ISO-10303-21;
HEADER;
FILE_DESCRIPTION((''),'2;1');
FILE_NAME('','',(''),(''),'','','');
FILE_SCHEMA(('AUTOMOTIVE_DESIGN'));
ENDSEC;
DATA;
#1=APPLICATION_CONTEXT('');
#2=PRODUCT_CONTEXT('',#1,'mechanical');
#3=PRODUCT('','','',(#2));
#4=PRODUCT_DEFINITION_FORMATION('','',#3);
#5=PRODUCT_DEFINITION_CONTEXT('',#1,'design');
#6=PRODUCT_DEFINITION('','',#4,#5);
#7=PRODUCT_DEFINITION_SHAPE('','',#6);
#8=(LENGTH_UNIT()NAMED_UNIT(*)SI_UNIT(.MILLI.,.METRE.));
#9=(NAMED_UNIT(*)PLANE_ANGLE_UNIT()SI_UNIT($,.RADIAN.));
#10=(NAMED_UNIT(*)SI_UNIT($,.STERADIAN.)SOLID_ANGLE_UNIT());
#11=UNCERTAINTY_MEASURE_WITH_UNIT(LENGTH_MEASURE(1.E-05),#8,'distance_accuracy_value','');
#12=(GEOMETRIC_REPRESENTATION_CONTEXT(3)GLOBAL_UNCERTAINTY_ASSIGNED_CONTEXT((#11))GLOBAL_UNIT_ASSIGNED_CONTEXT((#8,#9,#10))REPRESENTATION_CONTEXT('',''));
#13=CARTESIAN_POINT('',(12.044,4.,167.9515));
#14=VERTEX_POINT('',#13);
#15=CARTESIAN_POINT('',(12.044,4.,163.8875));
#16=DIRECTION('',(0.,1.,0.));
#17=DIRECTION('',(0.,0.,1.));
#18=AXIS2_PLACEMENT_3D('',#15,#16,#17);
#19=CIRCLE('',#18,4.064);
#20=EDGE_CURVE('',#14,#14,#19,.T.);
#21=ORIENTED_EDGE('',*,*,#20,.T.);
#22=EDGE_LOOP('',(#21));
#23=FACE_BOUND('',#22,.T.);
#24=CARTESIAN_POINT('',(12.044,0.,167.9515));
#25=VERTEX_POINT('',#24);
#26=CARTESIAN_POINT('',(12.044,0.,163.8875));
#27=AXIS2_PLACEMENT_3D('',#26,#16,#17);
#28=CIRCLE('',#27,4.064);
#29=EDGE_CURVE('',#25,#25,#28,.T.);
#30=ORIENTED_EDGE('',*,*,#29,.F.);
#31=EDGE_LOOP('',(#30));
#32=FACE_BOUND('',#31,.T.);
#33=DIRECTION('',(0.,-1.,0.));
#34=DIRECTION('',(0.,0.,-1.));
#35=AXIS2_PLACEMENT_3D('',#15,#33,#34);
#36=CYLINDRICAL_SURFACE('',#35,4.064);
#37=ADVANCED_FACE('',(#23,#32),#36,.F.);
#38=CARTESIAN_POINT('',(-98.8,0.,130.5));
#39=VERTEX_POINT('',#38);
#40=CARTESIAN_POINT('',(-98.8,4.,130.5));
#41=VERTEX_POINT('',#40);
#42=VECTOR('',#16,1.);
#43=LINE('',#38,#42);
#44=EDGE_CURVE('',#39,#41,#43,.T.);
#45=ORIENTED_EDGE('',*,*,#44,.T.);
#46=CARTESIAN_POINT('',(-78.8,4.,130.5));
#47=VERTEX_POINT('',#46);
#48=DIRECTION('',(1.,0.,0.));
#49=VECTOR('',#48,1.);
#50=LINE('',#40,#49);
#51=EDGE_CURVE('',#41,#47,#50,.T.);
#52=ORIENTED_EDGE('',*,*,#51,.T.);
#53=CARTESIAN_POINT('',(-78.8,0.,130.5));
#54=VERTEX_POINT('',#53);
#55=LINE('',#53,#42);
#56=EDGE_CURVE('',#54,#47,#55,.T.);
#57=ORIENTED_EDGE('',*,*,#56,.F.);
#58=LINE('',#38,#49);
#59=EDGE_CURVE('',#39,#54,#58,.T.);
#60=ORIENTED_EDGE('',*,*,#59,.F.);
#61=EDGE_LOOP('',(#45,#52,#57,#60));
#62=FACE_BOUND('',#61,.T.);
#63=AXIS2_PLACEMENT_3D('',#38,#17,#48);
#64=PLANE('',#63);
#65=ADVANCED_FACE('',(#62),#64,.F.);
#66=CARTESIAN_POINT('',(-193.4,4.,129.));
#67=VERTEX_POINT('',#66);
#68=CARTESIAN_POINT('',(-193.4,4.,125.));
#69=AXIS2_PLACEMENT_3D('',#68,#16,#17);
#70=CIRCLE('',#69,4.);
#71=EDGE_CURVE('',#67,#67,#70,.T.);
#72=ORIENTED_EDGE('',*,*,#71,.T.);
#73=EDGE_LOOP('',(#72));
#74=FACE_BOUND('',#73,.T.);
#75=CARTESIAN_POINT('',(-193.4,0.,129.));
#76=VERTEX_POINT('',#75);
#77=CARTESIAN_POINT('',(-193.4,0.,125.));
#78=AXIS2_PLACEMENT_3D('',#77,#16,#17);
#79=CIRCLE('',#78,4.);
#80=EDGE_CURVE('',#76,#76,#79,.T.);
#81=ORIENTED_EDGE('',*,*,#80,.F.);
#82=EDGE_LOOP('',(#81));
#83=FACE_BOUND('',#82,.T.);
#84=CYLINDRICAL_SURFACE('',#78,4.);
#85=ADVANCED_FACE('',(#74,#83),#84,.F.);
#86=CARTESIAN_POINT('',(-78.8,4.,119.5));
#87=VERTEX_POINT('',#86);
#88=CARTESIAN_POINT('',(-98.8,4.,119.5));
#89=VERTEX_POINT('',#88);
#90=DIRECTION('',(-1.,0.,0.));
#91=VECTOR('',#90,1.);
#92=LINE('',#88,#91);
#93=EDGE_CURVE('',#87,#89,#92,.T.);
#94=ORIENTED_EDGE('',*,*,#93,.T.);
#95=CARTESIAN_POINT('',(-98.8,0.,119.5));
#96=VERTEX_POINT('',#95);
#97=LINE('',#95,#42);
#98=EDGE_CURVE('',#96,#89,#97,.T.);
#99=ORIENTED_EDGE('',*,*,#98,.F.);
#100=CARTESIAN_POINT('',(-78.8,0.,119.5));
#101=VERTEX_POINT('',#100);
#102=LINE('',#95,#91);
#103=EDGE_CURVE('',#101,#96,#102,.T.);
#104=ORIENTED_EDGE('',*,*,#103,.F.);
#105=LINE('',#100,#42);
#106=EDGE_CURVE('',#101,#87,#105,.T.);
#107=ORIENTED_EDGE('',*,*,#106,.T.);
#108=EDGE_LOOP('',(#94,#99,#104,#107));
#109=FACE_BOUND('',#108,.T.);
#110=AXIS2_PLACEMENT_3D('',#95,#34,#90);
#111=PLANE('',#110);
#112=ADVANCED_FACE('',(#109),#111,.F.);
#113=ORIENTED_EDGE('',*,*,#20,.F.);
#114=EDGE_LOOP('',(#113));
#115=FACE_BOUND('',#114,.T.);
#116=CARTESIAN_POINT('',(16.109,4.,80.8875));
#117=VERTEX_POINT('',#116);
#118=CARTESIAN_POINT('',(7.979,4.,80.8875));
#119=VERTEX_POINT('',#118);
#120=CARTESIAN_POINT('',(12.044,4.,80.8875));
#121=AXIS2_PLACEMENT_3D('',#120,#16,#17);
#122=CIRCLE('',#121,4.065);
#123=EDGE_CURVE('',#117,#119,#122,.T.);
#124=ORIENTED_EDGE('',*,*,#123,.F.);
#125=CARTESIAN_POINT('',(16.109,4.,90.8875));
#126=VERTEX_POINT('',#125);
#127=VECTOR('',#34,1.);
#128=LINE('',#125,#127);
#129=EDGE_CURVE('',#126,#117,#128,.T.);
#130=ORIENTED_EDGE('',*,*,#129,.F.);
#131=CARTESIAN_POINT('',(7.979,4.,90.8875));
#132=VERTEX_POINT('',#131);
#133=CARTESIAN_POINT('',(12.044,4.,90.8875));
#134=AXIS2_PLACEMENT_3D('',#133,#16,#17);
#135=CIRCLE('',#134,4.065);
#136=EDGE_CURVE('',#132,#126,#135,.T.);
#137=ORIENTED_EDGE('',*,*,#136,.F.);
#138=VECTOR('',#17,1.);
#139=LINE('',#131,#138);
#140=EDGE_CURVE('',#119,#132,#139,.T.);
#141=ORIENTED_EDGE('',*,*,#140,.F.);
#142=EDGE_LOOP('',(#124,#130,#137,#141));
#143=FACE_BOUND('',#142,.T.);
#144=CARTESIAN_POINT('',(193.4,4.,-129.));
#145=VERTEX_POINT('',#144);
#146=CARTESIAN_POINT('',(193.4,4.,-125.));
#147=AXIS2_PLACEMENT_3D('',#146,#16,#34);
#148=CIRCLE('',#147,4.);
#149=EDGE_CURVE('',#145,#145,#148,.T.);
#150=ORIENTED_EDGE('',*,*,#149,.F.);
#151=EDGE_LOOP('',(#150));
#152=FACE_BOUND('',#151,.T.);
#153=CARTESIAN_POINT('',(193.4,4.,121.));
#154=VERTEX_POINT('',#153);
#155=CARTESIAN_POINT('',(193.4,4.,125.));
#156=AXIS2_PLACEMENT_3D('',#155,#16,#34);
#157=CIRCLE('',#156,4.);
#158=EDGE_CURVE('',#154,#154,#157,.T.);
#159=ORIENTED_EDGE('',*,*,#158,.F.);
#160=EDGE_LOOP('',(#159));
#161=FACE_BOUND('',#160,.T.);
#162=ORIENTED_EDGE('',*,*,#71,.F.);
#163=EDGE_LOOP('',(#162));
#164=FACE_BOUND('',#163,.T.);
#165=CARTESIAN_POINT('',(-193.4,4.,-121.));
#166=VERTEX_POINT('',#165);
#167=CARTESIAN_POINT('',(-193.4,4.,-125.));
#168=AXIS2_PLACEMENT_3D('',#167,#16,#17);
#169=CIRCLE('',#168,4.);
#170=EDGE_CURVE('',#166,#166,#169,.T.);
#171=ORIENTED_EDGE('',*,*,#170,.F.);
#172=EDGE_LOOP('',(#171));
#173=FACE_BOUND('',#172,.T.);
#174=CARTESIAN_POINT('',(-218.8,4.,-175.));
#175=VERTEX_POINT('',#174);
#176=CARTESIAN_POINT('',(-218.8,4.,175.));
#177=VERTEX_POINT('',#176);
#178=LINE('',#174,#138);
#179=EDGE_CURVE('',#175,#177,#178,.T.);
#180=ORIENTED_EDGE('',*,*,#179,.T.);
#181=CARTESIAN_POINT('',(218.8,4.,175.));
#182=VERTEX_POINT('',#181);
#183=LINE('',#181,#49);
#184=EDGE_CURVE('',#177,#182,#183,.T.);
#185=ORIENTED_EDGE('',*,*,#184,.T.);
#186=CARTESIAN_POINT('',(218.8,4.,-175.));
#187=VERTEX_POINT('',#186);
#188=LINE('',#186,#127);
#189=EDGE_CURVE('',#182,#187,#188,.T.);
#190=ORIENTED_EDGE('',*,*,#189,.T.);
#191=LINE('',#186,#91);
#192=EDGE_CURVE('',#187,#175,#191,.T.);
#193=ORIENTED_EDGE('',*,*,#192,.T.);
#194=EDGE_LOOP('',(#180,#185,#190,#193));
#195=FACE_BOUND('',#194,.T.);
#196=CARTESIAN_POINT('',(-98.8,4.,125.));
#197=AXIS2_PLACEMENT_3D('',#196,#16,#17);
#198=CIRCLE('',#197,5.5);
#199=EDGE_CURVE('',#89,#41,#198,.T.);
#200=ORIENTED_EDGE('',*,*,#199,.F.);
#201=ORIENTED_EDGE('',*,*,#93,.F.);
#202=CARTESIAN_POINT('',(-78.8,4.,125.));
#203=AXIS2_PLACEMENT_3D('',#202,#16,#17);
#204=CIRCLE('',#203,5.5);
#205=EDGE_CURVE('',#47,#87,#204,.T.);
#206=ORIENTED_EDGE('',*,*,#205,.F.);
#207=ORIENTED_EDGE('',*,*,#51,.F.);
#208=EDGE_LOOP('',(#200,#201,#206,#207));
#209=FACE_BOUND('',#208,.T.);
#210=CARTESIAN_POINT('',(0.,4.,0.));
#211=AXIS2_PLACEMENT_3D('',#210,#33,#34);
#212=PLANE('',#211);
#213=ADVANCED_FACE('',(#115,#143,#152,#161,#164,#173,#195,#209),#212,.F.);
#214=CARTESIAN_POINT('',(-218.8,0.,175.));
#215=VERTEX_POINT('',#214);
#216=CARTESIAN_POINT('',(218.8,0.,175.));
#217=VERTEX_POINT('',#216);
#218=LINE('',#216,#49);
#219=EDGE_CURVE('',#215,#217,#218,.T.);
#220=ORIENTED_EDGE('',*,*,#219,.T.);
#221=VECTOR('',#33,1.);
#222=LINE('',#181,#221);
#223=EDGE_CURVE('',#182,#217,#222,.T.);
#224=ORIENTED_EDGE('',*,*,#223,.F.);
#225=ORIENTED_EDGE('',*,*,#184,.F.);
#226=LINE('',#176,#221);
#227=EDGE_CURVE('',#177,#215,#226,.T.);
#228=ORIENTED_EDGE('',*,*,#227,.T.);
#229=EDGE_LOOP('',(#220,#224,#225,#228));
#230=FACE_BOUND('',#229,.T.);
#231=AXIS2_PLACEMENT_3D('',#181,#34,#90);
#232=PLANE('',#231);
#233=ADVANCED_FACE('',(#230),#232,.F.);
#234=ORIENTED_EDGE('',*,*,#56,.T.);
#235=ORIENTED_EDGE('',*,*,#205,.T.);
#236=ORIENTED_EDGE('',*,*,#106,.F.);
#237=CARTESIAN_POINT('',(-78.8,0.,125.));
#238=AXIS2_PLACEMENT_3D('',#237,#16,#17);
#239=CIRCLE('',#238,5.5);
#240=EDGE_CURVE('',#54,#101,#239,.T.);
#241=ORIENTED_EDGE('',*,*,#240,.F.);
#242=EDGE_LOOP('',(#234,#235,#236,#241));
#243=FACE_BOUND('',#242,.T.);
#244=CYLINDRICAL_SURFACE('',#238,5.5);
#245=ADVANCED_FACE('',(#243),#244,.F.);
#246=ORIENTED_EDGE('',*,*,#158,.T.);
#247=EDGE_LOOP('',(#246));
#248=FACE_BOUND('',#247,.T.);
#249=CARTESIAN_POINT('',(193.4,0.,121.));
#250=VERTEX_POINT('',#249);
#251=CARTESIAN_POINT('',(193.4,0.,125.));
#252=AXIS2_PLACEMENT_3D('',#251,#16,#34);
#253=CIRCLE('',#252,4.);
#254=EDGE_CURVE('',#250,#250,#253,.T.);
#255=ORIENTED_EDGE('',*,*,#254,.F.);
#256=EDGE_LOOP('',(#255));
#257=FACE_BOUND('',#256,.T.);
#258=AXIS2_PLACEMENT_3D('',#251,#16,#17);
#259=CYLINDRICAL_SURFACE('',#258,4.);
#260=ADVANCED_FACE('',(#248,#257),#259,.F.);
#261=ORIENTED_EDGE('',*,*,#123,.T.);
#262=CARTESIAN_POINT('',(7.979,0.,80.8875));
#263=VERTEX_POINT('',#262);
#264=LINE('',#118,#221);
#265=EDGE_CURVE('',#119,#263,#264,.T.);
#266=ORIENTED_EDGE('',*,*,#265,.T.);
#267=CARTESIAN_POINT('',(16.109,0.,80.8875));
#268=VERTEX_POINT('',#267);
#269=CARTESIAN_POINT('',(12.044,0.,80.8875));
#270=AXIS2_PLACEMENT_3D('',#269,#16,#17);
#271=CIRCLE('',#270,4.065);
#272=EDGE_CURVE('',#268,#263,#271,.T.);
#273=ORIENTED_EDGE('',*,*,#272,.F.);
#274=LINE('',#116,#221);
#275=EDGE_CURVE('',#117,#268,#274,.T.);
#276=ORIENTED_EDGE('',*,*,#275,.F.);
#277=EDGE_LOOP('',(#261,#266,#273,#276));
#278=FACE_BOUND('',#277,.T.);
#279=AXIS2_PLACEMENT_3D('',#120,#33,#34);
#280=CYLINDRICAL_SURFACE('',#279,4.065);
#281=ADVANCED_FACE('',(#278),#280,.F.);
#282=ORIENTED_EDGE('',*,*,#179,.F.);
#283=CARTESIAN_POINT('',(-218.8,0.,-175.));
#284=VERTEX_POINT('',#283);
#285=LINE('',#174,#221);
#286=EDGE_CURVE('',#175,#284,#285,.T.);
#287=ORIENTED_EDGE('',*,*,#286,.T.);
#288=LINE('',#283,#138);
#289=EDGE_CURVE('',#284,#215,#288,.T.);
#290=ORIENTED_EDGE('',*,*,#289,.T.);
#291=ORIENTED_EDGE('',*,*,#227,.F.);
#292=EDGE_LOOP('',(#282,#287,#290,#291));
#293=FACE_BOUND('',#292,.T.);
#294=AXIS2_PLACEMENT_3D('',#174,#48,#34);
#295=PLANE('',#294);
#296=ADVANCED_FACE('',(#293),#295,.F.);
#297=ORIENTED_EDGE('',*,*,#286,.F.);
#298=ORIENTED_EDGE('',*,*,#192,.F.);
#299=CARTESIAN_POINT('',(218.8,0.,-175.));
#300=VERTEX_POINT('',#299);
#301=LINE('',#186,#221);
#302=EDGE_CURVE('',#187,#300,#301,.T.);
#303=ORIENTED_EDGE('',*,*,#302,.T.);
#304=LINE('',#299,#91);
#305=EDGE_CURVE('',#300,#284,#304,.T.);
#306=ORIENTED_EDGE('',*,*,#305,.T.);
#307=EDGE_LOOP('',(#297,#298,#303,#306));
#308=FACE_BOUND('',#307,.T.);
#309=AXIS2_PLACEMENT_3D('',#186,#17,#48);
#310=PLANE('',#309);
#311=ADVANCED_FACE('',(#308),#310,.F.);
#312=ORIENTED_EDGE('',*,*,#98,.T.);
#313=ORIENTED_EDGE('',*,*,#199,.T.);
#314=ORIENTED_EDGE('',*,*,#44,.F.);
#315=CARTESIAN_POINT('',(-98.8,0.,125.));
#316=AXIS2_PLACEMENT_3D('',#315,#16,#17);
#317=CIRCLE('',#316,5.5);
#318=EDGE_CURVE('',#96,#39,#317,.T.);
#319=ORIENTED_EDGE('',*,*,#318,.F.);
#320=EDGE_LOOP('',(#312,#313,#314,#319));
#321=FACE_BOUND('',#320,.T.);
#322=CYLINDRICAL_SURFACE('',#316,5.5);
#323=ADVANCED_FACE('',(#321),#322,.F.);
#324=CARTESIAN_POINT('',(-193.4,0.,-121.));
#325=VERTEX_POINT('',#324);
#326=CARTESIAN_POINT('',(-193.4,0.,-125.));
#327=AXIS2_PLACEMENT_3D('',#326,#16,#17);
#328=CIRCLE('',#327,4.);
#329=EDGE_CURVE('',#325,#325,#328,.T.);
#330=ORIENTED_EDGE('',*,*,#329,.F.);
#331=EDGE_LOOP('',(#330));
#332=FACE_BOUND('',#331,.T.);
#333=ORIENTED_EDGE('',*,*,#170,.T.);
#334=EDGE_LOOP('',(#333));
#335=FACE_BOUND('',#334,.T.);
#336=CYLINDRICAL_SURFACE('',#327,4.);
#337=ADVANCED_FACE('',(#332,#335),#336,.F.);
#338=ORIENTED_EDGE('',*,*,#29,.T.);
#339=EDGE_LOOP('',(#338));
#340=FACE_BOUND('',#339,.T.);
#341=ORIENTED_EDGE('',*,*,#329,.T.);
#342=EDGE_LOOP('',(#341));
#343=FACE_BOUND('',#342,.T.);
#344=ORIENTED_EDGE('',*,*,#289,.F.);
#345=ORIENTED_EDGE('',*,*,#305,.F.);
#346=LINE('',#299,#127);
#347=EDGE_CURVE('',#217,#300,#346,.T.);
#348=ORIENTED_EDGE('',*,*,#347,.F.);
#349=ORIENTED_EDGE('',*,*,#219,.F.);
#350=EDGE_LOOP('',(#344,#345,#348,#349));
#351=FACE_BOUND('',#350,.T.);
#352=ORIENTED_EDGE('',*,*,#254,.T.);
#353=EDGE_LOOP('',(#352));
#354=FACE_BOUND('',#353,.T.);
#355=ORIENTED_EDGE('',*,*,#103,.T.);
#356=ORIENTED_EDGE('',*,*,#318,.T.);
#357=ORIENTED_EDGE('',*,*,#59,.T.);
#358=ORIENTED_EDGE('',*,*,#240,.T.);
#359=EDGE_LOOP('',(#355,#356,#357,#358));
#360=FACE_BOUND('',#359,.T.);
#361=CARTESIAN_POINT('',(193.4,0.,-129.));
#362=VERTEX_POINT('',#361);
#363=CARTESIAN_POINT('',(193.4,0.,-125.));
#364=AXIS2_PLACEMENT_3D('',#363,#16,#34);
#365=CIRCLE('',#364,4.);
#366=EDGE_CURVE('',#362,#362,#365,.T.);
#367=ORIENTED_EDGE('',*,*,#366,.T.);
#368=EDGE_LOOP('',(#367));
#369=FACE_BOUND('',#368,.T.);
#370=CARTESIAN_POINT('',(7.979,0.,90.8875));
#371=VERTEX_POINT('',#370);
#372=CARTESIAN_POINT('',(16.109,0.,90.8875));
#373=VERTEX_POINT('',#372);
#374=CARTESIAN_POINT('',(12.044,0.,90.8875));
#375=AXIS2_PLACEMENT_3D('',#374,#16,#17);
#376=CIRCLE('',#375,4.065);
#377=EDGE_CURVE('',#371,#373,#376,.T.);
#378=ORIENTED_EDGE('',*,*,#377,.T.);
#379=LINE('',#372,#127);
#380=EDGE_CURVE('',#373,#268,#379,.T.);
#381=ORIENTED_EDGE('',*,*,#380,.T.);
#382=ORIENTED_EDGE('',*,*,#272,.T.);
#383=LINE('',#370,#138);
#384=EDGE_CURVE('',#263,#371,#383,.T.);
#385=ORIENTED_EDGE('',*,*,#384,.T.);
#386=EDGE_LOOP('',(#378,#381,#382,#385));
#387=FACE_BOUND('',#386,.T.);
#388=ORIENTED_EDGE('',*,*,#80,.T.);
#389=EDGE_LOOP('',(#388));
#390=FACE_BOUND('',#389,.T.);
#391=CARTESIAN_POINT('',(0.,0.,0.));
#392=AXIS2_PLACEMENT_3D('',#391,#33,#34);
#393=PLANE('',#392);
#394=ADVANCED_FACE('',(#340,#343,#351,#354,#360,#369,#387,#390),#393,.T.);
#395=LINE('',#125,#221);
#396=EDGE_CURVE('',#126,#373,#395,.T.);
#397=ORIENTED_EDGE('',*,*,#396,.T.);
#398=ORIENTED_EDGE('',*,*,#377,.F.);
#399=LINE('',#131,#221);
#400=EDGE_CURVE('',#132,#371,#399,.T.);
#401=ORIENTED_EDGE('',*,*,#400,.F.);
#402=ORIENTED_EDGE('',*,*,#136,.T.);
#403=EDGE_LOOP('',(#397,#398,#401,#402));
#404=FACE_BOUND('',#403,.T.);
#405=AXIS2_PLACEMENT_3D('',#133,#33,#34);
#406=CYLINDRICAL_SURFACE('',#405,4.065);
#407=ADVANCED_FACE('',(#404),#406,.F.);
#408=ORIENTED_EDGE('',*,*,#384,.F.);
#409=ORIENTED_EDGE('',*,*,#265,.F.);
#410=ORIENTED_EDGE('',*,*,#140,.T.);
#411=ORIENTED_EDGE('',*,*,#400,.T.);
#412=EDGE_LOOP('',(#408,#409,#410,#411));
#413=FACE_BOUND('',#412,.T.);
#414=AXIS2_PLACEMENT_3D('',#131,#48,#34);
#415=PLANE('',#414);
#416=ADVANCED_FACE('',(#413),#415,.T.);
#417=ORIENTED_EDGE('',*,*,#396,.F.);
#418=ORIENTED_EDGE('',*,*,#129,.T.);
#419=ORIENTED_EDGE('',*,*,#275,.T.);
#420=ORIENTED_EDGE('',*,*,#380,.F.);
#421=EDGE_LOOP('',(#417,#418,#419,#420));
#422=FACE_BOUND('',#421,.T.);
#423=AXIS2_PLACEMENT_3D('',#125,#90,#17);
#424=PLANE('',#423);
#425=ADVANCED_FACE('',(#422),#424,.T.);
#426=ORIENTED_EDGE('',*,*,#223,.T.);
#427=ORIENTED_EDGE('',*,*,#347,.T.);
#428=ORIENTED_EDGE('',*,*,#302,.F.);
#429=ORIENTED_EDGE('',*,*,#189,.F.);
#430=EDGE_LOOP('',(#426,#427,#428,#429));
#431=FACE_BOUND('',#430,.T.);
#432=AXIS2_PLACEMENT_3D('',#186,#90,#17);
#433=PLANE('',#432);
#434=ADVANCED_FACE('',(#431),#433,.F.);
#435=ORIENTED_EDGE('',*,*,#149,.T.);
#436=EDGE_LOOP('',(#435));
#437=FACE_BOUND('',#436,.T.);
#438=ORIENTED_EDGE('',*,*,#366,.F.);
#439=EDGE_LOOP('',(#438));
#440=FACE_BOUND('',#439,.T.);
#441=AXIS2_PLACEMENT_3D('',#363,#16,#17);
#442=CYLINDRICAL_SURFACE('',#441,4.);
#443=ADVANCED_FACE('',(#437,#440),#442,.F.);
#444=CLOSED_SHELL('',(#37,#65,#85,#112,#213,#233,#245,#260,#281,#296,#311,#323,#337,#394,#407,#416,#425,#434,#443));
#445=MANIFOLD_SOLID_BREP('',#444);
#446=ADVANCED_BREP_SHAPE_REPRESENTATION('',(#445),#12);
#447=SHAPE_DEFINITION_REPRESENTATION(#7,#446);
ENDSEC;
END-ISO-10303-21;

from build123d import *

# Parameters (mm, degrees)
SKETCH1_W           = 437.6
SKETCH1_H           = 350
SKETCH1_R           = 4.064
BOSS_EXTRUDE1_DEPTH = 4
SKETCH2_R           = 4
CUT_EXTRUDE1_DEPTH  = 5


with BuildPart() as part:
    # Sketch1 → Boss-Extrude1 (new body)
    with BuildSketch(Plane(origin=(0, 0, 0), x_dir=(1, 0, 0), z_dir=(0, 1, 0))):
        Rectangle(SKETCH1_W, SKETCH1_H)
        with Locations((12.044, -163.8875)):
            Circle(SKETCH1_R, mode=Mode.SUBTRACT)
        with BuildLine():
            Line((7.979, -90.8875), (7.979, -80.8875))
            ThreePointArc((7.979, -80.8875), (12.044, -76.8225), (16.109, -80.8875))
            Line((16.109, -80.8875), (16.109, -90.8875))
            ThreePointArc((16.109, -90.8875), (12.044, -94.9525), (7.979, -90.8875))
        make_face(mode=Mode.SUBTRACT)
    extrude(amount=BOSS_EXTRUDE1_DEPTH)

    # Sketch2 → Cut-Extrude1 (cut, through all)
    with BuildSketch(Plane(origin=(0, 4, 0), x_dir=(1, 0, 0), z_dir=(0, 1, 0))):
        with Locations((-193.4, 125)):
            Circle(SKETCH2_R)
        with Locations((-193.4, -125)):
            Circle(SKETCH2_R)
        with Locations((193.4, -125)):
            Circle(SKETCH2_R)
        with Locations((193.4, 125)):
            Circle(SKETCH2_R)
        with BuildLine():
            Line((-98.8, -119.5), (-78.8, -119.5))
            ThreePointArc((-78.8, -119.5), (-73.3, -125), (-78.8, -130.5))
            Line((-78.8, -130.5), (-98.8, -130.5))
            ThreePointArc((-98.8, -130.5), (-104.3, -125), (-98.8, -119.5))
        make_face()
    extrude(amount=-CUT_EXTRUDE1_DEPTH, mode=Mode.SUBTRACT)


solid = part.part
